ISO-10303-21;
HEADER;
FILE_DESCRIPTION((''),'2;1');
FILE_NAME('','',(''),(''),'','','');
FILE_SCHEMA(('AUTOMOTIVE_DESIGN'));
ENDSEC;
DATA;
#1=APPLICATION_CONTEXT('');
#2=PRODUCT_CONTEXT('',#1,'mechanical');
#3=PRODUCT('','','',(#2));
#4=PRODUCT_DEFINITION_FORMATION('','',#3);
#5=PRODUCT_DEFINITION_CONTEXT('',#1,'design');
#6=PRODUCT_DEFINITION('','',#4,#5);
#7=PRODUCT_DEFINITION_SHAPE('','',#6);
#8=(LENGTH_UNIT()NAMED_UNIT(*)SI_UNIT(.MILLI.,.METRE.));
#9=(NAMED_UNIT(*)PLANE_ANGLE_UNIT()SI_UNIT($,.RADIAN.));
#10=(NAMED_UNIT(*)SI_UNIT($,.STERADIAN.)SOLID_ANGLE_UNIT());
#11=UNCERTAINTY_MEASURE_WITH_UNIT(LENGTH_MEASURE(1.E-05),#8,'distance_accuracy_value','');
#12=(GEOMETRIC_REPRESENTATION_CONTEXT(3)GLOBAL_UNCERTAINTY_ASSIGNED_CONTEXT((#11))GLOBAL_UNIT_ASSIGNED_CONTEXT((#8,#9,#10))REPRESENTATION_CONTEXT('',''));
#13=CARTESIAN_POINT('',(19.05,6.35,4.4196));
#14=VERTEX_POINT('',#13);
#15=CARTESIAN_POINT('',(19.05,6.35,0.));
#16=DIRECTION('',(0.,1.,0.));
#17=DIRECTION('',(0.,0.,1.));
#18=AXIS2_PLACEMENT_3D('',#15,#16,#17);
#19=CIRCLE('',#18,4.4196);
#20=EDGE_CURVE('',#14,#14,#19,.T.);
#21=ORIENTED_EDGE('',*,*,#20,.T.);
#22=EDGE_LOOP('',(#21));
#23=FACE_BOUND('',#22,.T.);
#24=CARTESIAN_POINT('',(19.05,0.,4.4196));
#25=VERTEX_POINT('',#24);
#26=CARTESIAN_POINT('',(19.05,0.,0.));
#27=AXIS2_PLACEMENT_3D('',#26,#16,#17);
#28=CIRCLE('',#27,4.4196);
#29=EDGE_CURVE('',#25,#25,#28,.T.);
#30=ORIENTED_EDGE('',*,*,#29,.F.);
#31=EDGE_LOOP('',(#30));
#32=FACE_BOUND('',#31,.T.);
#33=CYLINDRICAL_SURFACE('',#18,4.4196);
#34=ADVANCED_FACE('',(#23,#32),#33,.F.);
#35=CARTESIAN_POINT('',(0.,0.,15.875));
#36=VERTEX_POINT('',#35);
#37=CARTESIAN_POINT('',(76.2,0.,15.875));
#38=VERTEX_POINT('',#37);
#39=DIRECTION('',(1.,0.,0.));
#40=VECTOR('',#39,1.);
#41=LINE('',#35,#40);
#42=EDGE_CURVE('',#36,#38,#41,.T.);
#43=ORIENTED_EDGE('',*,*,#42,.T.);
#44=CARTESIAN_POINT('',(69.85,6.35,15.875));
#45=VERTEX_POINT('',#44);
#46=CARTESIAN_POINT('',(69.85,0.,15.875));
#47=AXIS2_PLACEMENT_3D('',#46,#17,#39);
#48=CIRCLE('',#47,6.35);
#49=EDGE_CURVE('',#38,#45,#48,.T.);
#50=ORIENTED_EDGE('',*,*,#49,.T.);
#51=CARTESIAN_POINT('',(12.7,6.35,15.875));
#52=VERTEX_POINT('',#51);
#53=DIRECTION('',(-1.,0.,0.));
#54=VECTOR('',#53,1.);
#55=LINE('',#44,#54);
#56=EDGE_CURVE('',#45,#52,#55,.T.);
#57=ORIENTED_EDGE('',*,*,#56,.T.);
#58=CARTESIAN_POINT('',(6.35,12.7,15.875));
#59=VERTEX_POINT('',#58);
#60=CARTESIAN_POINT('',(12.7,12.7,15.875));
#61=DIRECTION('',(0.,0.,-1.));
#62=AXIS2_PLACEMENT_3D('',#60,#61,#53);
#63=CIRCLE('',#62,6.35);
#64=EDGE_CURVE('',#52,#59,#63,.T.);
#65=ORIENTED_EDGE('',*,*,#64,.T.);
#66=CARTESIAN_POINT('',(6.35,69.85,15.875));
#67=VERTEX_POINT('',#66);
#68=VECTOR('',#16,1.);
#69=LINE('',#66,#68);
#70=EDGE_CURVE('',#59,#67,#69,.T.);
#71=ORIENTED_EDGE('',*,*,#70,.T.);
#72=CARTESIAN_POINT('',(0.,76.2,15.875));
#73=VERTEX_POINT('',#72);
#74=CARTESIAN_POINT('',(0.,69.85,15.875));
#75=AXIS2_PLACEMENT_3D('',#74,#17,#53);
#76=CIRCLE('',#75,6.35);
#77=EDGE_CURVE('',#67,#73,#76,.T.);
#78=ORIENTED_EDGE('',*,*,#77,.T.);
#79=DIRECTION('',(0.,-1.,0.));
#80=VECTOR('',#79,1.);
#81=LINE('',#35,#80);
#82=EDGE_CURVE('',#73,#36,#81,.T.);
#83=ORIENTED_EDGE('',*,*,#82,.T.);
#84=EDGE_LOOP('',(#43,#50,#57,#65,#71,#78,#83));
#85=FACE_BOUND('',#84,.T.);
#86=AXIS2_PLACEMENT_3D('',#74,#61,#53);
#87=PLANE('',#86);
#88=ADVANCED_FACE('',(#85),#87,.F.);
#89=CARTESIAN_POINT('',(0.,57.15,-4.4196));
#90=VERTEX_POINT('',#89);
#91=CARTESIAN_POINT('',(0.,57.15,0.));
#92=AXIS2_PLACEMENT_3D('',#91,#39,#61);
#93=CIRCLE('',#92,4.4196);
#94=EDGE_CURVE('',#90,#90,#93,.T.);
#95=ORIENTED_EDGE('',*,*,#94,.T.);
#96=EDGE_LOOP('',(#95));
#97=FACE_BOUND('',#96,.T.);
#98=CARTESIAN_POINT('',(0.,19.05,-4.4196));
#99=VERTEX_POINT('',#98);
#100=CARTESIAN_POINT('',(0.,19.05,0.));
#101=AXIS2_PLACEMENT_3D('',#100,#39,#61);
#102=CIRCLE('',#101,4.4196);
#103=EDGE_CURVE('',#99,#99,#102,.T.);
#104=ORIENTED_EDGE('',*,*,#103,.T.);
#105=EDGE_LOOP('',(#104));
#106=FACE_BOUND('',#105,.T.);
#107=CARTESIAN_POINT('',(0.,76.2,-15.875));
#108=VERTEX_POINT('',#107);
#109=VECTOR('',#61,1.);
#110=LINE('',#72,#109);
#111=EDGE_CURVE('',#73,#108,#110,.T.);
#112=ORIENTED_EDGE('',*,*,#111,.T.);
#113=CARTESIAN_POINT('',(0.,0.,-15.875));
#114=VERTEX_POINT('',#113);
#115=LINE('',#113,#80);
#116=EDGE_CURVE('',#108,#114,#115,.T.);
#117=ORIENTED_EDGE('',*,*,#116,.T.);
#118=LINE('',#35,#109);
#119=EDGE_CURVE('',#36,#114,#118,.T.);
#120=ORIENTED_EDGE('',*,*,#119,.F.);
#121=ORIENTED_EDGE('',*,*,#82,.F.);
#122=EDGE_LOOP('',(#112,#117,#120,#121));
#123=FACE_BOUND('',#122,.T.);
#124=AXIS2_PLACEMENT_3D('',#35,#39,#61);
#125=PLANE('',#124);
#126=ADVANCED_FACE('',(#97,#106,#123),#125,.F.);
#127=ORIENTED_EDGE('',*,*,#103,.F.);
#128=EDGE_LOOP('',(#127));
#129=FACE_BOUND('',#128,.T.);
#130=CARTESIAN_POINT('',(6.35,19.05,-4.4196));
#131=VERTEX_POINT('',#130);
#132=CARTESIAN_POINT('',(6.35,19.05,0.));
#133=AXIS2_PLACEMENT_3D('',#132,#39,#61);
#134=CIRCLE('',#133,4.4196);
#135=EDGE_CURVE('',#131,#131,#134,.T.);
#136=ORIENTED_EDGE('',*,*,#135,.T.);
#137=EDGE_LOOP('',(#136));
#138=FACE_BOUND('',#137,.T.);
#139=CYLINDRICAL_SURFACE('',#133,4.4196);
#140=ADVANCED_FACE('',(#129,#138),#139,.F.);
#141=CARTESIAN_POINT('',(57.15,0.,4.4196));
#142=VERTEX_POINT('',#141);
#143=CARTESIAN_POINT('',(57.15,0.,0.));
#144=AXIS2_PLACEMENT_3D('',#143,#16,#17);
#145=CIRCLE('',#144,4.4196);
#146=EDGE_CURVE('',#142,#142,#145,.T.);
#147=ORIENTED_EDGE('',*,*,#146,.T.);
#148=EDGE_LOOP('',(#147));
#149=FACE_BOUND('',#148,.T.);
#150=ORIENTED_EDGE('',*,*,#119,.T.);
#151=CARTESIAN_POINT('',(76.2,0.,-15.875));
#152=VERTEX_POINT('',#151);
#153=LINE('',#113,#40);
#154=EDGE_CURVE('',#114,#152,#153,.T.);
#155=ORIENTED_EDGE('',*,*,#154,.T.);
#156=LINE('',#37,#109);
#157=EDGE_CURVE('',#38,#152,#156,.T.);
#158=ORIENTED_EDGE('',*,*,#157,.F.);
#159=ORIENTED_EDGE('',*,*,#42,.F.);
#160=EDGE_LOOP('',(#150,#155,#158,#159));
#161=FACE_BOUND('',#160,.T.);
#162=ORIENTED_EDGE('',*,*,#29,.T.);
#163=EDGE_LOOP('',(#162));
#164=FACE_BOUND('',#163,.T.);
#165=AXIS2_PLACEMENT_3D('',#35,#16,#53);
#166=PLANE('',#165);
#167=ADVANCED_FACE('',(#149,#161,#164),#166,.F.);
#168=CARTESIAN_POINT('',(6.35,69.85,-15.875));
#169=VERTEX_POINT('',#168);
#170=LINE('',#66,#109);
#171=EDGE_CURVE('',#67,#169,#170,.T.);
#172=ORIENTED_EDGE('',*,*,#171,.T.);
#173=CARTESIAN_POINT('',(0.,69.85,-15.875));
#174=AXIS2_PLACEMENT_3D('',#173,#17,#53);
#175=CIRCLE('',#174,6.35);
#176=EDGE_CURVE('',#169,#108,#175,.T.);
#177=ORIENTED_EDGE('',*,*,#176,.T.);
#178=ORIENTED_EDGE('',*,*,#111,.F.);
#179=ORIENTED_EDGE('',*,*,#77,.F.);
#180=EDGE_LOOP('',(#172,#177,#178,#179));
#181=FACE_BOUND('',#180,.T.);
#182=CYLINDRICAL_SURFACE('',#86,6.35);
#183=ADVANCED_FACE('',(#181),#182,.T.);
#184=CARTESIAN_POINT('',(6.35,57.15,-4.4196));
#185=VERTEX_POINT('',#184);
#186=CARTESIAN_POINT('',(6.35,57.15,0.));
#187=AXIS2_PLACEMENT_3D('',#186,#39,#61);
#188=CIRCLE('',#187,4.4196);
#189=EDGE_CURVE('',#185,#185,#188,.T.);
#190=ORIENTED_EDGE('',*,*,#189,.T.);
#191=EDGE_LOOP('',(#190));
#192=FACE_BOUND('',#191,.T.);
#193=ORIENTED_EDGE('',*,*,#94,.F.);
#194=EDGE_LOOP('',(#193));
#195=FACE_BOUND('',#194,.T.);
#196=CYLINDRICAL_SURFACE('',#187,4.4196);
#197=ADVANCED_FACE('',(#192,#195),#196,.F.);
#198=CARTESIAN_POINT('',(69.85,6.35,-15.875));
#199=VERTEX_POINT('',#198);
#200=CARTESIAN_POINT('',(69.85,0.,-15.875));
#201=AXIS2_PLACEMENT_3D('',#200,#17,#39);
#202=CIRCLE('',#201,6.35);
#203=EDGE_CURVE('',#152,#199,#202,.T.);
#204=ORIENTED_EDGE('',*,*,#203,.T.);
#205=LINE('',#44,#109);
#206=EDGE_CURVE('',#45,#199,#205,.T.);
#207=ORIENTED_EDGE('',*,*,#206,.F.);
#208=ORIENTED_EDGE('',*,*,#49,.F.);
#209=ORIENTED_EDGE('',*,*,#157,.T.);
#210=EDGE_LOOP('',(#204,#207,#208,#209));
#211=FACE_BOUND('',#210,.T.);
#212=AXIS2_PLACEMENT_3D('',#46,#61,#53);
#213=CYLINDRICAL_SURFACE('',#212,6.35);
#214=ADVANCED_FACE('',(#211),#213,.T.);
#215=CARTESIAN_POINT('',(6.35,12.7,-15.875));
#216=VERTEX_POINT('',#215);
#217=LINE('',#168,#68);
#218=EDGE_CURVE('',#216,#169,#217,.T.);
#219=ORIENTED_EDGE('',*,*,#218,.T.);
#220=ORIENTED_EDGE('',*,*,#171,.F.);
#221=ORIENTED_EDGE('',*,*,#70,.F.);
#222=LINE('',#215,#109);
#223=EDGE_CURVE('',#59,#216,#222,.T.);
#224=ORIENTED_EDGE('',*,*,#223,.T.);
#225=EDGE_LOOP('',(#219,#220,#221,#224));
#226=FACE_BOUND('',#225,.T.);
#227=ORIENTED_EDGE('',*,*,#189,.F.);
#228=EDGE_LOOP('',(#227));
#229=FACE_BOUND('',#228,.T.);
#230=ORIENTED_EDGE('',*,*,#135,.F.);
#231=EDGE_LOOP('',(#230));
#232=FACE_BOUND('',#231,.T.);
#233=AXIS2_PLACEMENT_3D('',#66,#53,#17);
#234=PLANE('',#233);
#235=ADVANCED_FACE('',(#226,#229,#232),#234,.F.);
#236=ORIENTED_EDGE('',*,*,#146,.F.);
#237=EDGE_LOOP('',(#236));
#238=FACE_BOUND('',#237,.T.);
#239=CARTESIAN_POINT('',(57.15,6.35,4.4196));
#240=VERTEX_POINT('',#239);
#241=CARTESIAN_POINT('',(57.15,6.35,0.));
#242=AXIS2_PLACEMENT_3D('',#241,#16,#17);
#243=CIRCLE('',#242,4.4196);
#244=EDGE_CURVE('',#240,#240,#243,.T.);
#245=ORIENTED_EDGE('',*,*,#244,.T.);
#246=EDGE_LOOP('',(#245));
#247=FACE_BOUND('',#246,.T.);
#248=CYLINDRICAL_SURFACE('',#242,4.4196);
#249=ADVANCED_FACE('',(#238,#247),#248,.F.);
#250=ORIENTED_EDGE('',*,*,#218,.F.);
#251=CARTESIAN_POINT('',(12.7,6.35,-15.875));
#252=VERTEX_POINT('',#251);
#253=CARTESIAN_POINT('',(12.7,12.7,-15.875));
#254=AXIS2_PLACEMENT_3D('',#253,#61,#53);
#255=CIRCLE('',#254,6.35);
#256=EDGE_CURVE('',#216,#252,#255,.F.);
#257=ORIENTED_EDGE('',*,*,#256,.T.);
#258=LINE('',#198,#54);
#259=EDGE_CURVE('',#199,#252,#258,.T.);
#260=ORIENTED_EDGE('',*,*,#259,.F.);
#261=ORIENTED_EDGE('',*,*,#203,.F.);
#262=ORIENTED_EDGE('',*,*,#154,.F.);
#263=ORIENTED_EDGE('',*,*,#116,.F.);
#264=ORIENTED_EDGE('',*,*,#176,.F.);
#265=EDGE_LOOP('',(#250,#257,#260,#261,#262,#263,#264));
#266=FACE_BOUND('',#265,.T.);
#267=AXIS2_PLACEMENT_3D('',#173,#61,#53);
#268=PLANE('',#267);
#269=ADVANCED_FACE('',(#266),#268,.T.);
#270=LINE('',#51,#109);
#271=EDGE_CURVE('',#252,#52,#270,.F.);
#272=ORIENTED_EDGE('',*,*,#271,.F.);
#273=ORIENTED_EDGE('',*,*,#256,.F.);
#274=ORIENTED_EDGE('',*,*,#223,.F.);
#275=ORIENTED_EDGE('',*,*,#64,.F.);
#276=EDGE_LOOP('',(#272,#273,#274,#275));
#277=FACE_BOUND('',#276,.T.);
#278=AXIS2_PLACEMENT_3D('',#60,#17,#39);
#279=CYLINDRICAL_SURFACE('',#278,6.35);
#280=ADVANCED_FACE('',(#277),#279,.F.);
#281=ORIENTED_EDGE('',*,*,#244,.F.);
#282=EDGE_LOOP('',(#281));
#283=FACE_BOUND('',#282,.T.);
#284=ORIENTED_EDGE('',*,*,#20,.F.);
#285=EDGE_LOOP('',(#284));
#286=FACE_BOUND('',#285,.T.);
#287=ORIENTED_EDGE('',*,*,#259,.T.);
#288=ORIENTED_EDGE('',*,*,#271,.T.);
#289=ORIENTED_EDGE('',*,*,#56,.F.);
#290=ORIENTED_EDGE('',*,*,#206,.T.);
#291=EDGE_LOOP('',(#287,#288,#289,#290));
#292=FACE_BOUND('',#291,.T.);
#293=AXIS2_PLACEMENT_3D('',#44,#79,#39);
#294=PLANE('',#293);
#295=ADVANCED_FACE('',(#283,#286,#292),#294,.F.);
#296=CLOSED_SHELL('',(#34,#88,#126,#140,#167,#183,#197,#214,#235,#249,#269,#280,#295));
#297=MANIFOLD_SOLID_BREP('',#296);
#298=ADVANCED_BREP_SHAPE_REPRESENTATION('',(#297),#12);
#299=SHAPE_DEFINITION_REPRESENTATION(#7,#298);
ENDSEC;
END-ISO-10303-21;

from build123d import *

# Parameters (mm, degrees)
BOSS_EXTRUDE1_DEPTH      = 15.875
S_0_348_DIAMETER_HOLE1_D = 8.8392
S_0_348_DIAMETER_HOLE2_D = 8.8392
FILLET1_R                = 6.35


with BuildPart() as part:
    # Sketch1 → Boss-Extrude1 (new, symmetric)
    with BuildSketch(Plane.XY):
        with BuildLine():
            Line((0, 0), (76.2, 0))
            ThreePointArc((76.2, 0), (74.340128061, 4.490128061), (69.85, 6.35))
            Line((69.85, 6.35), (6.35, 6.35))
            Line((6.35, 6.35), (6.35, 69.85))
            ThreePointArc((6.35, 69.85), (4.490128061, 74.340128061), (0, 76.2))
            Line((0, 76.2), (0, 0))
        make_face()
    extrude(amount=BOSS_EXTRUDE1_DEPTH, both=True)

    # S (0.348) Diameter Hole1 (through all)
    with Locations(Plane(origin=(6.35, 0, 0), x_dir=(0, 0, -1), z_dir=(1, 0, 0))):
        with Locations((0, 57.15), (0, 19.05)):
            Hole(S_0_348_DIAMETER_HOLE1_D / 2)

    # S (0.348) Diameter Hole2 (through all)
    with Locations(Plane(origin=(0, 6.35, 0), x_dir=(-1, 0, 0), z_dir=(0, 1, 0))):
        with Locations((-19.05, 0), (-57.15, 0)):
            Hole(S_0_348_DIAMETER_HOLE2_D / 2)

    # Fillet1
    fillet1_edges = [part.edges().sort_by_distance(p)[0] for p in [
        (6.35, 6.35, 0),
    ]]
    fillet(fillet1_edges, radius=FILLET1_R)


solid = part.part
